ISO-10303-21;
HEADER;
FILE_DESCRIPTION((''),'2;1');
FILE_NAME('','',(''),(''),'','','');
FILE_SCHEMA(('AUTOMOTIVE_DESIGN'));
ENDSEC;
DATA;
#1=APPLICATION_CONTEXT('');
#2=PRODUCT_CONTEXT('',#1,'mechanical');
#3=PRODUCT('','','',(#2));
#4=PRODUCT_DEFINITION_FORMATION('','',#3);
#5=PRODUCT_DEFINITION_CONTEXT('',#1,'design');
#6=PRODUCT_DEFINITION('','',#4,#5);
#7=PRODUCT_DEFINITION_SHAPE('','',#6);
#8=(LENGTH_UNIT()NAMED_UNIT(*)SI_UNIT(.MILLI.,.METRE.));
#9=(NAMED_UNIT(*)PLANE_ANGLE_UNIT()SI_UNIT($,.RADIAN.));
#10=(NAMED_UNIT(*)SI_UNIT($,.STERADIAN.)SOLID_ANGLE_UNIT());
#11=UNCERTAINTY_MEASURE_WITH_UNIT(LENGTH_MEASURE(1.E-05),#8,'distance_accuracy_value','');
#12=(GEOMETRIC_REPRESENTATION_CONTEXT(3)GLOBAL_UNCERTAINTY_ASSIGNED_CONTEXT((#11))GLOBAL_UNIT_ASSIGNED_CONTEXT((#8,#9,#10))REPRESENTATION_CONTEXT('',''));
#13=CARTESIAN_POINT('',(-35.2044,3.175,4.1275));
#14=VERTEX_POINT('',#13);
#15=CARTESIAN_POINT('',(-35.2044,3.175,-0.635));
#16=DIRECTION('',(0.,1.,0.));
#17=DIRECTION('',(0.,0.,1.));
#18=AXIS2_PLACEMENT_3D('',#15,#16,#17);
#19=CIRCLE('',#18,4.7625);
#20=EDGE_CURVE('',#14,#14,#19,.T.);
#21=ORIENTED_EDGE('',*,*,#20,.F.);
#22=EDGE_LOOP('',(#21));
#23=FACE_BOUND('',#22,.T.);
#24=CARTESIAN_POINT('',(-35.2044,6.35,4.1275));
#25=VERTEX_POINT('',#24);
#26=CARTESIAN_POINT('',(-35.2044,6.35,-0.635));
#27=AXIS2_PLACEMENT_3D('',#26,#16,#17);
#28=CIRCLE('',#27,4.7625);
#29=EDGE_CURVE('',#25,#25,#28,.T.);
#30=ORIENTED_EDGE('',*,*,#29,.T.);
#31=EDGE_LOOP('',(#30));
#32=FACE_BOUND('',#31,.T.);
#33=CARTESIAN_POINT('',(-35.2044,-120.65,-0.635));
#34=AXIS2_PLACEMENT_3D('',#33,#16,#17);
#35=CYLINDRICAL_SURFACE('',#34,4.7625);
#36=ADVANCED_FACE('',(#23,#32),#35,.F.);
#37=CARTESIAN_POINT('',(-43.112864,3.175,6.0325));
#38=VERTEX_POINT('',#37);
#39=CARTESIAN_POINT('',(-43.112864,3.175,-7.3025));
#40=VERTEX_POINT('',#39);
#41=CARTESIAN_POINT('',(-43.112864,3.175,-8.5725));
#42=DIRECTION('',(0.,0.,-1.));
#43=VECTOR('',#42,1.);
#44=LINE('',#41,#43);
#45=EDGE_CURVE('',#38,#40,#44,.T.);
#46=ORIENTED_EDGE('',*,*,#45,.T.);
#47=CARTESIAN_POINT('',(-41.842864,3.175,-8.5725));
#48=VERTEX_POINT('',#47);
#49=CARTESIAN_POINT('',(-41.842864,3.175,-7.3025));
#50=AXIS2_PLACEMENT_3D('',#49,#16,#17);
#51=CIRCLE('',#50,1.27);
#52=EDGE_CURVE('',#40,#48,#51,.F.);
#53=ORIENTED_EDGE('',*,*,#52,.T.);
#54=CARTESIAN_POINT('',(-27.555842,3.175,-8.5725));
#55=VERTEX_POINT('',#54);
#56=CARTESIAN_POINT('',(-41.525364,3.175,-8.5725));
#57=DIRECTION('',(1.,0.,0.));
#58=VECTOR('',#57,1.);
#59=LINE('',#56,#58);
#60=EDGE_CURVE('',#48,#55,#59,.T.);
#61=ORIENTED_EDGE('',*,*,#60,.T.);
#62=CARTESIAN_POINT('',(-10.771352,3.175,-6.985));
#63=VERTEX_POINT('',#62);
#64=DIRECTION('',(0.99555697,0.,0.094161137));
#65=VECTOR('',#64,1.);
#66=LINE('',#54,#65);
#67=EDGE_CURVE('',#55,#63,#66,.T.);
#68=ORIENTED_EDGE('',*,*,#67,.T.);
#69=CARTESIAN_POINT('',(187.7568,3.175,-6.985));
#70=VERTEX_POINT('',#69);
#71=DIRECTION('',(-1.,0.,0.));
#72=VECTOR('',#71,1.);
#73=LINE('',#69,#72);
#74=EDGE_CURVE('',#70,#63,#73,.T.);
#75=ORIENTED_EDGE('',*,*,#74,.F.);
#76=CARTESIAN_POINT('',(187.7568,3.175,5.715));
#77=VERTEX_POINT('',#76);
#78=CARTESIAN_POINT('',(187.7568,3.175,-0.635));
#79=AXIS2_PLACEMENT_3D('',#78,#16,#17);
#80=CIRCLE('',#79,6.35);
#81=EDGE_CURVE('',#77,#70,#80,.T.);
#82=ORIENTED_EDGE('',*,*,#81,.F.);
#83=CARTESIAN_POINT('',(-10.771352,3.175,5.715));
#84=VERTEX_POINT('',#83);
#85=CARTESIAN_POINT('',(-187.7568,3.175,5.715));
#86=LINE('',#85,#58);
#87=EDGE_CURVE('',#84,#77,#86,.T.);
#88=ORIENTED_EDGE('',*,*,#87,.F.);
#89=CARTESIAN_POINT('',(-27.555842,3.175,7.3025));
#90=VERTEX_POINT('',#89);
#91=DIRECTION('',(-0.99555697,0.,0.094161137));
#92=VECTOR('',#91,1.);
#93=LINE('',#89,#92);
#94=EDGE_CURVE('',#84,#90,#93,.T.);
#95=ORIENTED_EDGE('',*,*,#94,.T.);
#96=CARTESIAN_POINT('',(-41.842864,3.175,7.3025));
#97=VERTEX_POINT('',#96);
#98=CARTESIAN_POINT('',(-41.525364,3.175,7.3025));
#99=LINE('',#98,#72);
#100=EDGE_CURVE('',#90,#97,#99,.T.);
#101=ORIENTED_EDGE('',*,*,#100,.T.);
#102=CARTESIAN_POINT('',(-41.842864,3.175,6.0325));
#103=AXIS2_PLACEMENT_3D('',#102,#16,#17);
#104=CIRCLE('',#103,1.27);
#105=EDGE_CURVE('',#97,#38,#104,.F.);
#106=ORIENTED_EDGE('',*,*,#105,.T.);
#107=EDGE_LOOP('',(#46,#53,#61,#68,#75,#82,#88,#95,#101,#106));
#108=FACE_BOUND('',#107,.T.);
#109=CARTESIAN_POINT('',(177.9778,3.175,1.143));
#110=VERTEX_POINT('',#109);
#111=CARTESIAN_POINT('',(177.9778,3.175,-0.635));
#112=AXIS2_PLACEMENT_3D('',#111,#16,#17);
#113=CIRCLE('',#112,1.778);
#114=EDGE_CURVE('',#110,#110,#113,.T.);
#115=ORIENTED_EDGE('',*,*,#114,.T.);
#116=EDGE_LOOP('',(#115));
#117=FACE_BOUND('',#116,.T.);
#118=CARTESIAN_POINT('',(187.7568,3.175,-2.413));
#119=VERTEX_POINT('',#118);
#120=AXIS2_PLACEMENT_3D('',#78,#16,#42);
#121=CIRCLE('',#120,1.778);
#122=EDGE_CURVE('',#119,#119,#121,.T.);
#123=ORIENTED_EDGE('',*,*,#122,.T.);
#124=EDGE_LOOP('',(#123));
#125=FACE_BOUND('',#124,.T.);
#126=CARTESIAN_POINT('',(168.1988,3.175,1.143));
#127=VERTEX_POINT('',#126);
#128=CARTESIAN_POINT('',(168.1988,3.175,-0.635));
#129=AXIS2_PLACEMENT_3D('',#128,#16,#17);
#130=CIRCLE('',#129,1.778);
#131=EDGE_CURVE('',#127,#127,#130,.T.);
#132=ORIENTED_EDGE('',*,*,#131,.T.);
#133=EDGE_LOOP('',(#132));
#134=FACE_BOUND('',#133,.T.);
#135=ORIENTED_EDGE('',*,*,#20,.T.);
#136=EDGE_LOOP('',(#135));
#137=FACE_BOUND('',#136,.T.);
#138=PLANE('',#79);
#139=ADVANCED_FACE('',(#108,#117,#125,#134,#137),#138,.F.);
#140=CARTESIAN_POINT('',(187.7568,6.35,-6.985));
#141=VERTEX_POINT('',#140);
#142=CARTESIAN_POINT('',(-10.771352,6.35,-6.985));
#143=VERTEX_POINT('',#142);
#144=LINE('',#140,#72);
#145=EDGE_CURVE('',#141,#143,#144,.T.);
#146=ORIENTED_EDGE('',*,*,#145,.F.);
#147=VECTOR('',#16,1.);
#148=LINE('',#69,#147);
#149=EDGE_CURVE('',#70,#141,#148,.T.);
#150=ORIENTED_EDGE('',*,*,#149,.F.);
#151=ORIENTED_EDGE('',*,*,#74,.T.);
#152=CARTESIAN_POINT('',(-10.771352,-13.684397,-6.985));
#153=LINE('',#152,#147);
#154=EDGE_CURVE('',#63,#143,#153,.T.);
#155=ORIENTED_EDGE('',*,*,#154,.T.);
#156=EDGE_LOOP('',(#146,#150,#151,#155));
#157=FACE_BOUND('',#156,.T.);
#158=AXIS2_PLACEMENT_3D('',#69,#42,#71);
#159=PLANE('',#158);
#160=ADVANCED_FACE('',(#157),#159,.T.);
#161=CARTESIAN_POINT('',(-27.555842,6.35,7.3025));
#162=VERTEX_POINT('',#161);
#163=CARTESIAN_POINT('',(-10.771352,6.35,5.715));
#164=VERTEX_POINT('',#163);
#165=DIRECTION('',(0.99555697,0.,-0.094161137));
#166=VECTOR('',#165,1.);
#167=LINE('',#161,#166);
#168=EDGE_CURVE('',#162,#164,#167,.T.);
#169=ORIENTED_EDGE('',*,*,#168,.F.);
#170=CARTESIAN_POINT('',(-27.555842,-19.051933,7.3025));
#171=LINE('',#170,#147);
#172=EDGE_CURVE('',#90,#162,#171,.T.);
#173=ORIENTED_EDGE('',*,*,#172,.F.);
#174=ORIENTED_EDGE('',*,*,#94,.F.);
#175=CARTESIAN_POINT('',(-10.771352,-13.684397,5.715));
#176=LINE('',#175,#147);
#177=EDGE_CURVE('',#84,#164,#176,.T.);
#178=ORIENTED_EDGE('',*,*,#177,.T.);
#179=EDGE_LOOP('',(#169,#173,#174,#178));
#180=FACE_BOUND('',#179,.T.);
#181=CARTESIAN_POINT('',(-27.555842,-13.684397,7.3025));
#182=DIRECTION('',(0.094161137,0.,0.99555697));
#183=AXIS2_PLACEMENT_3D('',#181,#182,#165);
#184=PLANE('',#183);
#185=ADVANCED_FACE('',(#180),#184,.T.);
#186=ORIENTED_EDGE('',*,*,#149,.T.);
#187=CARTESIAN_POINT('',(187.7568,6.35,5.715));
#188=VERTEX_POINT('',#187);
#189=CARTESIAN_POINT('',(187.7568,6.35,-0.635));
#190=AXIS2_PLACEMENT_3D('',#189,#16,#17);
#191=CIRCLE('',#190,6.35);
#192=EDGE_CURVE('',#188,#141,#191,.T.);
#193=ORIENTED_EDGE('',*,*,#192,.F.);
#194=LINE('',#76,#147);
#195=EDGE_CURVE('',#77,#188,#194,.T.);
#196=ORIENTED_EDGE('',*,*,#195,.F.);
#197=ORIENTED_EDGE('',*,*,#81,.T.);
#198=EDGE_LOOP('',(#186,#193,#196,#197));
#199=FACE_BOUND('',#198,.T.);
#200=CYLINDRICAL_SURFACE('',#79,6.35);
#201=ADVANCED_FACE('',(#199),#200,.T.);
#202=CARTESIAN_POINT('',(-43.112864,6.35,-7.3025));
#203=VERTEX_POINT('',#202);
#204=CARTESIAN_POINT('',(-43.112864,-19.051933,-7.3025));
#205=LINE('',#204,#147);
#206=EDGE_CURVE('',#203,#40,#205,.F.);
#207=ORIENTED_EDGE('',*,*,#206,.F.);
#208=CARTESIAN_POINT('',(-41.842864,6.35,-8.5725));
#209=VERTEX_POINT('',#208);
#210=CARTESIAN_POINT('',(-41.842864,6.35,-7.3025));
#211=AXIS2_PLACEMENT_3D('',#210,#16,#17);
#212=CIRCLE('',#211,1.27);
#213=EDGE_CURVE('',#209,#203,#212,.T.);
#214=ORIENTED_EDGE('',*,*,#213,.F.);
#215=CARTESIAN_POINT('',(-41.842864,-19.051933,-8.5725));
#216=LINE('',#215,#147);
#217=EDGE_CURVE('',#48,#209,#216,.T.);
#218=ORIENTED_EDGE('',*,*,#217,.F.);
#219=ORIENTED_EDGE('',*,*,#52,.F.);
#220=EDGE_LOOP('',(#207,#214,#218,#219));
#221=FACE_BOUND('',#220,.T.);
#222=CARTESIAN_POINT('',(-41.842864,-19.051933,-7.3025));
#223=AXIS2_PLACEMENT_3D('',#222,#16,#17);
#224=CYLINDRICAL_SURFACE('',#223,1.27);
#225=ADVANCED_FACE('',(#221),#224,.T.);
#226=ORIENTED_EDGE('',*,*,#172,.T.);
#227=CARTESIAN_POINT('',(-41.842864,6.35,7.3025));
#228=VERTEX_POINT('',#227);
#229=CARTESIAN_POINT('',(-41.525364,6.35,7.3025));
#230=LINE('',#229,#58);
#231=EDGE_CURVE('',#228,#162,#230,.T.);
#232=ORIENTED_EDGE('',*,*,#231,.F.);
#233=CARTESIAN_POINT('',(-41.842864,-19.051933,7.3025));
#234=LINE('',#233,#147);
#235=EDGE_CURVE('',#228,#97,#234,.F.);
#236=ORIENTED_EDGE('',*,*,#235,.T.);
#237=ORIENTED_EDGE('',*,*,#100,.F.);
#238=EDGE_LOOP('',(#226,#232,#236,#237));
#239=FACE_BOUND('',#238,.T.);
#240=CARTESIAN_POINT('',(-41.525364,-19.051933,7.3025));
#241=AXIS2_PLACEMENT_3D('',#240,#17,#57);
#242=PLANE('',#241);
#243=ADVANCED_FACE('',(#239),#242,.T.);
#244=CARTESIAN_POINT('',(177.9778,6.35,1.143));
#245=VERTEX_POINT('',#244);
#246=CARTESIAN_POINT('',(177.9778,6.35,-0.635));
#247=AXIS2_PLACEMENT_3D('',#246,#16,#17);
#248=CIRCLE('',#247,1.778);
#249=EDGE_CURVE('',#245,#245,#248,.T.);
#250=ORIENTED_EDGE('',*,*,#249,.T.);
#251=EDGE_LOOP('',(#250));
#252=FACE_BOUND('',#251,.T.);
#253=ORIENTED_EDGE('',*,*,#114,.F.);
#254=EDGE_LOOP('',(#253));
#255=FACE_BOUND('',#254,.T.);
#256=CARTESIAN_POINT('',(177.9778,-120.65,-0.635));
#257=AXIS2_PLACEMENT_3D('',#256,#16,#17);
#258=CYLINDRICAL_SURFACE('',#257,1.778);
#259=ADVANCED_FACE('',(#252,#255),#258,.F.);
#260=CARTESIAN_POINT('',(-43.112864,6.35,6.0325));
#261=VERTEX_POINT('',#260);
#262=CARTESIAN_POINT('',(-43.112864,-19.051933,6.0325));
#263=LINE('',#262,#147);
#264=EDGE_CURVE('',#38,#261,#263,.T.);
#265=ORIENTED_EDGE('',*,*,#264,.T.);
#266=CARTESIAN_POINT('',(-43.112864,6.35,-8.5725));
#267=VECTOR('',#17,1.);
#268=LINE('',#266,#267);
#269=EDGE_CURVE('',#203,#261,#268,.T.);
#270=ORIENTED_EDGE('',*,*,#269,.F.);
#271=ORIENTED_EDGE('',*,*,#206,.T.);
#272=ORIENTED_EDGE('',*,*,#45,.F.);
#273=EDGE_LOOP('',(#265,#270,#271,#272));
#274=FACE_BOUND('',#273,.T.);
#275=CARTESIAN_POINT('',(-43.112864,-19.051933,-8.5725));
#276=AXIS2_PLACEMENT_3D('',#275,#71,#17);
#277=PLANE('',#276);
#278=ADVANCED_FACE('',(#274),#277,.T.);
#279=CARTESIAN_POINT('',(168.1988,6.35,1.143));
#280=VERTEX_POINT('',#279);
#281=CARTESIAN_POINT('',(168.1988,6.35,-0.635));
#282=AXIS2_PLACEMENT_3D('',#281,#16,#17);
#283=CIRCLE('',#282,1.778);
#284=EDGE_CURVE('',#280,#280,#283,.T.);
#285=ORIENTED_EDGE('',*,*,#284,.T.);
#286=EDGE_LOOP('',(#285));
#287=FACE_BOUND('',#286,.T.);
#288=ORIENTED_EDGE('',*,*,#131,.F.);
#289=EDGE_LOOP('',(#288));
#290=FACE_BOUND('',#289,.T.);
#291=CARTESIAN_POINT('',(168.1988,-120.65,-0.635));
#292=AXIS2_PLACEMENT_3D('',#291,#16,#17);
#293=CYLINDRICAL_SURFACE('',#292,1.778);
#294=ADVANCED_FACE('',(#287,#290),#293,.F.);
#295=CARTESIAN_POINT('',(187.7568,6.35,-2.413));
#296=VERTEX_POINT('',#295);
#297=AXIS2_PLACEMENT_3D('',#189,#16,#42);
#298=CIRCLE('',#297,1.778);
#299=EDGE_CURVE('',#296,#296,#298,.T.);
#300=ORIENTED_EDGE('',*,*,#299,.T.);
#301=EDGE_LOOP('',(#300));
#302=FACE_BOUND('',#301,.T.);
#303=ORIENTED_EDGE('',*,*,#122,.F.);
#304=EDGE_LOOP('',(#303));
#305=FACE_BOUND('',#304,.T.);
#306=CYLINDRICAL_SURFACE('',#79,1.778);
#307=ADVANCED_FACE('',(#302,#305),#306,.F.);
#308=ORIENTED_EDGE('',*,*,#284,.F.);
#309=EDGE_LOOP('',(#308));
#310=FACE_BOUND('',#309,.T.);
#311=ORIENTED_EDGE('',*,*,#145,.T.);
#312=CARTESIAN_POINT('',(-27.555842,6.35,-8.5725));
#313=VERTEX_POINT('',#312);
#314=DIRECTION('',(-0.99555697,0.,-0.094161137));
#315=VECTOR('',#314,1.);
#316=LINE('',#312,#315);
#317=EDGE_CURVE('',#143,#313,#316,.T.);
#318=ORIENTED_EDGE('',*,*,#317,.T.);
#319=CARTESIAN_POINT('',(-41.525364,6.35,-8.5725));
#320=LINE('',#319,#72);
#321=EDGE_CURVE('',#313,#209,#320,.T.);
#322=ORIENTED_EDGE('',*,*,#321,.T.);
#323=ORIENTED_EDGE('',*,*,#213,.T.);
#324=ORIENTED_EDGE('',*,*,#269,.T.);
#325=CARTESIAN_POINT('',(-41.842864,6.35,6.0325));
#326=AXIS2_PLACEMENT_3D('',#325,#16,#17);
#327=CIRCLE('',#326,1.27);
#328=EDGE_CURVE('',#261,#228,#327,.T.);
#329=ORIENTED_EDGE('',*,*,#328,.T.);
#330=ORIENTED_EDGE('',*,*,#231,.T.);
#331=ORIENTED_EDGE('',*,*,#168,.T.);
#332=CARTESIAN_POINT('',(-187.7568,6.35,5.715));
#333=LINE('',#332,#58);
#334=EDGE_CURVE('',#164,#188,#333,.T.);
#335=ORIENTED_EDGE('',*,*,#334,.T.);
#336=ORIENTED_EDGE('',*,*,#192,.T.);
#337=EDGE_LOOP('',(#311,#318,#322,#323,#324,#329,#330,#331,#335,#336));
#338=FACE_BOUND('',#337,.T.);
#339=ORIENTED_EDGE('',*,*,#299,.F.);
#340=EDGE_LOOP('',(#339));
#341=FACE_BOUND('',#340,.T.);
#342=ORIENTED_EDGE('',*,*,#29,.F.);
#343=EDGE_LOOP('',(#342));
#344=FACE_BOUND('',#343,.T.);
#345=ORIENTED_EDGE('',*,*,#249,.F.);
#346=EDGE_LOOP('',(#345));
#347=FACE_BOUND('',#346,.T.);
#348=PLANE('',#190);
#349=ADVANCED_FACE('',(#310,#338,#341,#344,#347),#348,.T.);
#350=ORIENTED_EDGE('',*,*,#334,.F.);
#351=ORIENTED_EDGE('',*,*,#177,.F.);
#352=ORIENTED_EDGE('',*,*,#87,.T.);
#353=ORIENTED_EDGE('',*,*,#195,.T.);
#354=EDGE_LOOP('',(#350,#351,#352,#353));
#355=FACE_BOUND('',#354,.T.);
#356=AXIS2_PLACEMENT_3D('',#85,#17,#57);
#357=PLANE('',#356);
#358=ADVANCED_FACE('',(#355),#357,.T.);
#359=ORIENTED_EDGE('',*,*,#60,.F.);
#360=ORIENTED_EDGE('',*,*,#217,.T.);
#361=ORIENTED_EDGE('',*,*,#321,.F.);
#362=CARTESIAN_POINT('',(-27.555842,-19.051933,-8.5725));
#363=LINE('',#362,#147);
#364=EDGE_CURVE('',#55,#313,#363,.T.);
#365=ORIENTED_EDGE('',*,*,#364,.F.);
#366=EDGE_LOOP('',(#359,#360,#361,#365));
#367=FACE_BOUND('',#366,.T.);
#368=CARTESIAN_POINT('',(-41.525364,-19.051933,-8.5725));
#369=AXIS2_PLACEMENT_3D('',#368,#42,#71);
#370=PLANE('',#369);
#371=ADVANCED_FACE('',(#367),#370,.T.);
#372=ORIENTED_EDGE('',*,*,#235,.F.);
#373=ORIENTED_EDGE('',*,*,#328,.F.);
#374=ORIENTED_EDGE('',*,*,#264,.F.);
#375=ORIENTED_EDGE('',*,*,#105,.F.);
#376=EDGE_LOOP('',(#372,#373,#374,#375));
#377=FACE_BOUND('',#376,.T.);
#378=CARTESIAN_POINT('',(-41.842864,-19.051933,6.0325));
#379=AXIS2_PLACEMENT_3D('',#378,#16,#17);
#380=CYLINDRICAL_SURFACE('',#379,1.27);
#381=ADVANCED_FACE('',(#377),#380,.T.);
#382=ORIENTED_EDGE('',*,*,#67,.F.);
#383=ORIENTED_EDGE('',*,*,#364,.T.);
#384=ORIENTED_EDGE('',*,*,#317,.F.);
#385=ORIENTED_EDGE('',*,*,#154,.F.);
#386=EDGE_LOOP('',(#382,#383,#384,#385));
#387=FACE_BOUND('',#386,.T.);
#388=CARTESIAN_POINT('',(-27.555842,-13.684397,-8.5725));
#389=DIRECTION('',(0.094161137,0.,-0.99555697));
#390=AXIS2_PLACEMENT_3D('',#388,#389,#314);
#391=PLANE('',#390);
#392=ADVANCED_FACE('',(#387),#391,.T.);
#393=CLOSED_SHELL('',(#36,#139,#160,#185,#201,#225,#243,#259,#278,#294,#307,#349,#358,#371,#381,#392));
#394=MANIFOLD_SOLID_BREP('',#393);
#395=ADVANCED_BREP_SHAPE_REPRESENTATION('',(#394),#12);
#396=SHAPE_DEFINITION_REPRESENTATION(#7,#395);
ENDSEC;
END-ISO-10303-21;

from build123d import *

# Parameters (mm, degrees)
SKETCH1_R           = 1.778
BOSS_EXTRUDE1_DEPTH = 3.175
SKETCH2_W           = 165.78896247
SKETCH2_H           = 45.115138018
CUT_EXTRUDE1_DEPTH  = 127
SKETCH3_R           = 4.7625
CUT_EXTRUDE2_DEPTH  = 127
SKETCH4_R           = 1.778
CUT_EXTRUDE3_DEPTH  = 127
BOSS_EXTRUDE2_DEPTH = 3.175
FILLET3_R           = 1.27
BOSS_EXTRUDE3_DEPTH = 3.175


with BuildPart() as part:
    # Sketch1 → Boss-Extrude1 (new body)
    with BuildSketch(Plane(origin=(0, 6.35, 0), x_dir=(1, 0, 0), z_dir=(0, 1, 0))):
        with BuildLine():
            Line((187.7568, 6.985), (-187.7568, 6.985))
            ThreePointArc((-187.7568, 6.985), (-194.1068, 0.635), (-187.7568, -5.715))
            Line((-187.7568, -5.715), (187.7568, -5.715))
            ThreePointArc((187.7568, -5.715), (194.1068, 0.635), (187.7568, 6.985))
        make_face()
        with Locations(Location((187.7568, 0.635, 0), (0, 0, 90))):
            Circle(SKETCH1_R, mode=Mode.SUBTRACT)
        with Locations(Location((-187.7568, 0.635, 0), (0, 0, 90))):
            Circle(SKETCH1_R, mode=Mode.SUBTRACT)
    extrude(amount=-BOSS_EXTRUDE1_DEPTH)

    # Sketch2 → Cut-Extrude1 (cut)
    with BuildSketch(Plane(origin=(0, 6.35, 0), x_dir=(1, 0, 0), z_dir=(0, 1, 0))):
        with Locations((-124.419845051, -4.918181187)):
            Rectangle(SKETCH2_W, SKETCH2_H)
    extrude(amount=-CUT_EXTRUDE1_DEPTH, mode=Mode.SUBTRACT)

    # Sketch3 → Cut-Extrude2 (cut)
    with BuildSketch(Plane(origin=(0, 6.35, 0), x_dir=(1, 0, 0), z_dir=(0, 1, 0))):
        with Locations(Location((-35.2044, 0.635, 0), (0, 0, 270))):
            Circle(SKETCH3_R)
    extrude(amount=-CUT_EXTRUDE2_DEPTH, mode=Mode.SUBTRACT)

    # Sketch4 → Cut-Extrude3 (cut)
    with BuildSketch(Plane(origin=(0, 6.35, 0), x_dir=(1, 0, 0), z_dir=(0, 1, 0))):
        with Locations(Location((168.1988, 0.635, 0), (0, 0, 270))):
            Circle(SKETCH4_R)
        with Locations(Location((177.9778, 0.635, 0), (0, 0, 270))):
            Circle(SKETCH4_R)
    extrude(amount=-CUT_EXTRUDE3_DEPTH, mode=Mode.SUBTRACT)

    # Sketch5 → Boss-Extrude2 (add)
    with BuildSketch(Plane(origin=(0, 6.35, 0), x_dir=(1, 0, 0), z_dir=(0, 1, 0))):
        Polygon((-27.555842436, 6.985), (-41.525363816, 6.985), (-41.525363816, -5.715), (-27.555842436, -5.715), (-27.555842436, -7.3025), (-41.525363816, -7.3025), (-43.112863816, -7.3025), (-43.112863816, 8.5725), (-41.525363816, 8.5725), (-27.555842436, 8.5725), align=None)
    extrude(amount=-BOSS_EXTRUDE2_DEPTH)

    # Fillet3
    fillet3_edges = [part.edges().sort_by_distance(p)[0] for p in [
        (-43.112863816, 4.7625, 7.3025),
        (-43.112863816, 4.7625, -8.5725),
    ]]
    fillet(fillet3_edges, radius=FILLET3_R)

    # Sketch6 → Boss-Extrude3 (add)
    with BuildSketch(Plane(origin=(0, 6.35, 0), x_dir=(1, 0, 0), z_dir=(0, 1, 0))):
        Polygon((-27.555842436, 8.5725), (-10.771352163, 6.985), (-27.555842436, 6.985), align=None)
        Polygon((-27.555842436, -7.3025), (-10.771352163, -5.715), (-27.555842436, -5.715), align=None)
    extrude(amount=-BOSS_EXTRUDE3_DEPTH)


solid = part.part
